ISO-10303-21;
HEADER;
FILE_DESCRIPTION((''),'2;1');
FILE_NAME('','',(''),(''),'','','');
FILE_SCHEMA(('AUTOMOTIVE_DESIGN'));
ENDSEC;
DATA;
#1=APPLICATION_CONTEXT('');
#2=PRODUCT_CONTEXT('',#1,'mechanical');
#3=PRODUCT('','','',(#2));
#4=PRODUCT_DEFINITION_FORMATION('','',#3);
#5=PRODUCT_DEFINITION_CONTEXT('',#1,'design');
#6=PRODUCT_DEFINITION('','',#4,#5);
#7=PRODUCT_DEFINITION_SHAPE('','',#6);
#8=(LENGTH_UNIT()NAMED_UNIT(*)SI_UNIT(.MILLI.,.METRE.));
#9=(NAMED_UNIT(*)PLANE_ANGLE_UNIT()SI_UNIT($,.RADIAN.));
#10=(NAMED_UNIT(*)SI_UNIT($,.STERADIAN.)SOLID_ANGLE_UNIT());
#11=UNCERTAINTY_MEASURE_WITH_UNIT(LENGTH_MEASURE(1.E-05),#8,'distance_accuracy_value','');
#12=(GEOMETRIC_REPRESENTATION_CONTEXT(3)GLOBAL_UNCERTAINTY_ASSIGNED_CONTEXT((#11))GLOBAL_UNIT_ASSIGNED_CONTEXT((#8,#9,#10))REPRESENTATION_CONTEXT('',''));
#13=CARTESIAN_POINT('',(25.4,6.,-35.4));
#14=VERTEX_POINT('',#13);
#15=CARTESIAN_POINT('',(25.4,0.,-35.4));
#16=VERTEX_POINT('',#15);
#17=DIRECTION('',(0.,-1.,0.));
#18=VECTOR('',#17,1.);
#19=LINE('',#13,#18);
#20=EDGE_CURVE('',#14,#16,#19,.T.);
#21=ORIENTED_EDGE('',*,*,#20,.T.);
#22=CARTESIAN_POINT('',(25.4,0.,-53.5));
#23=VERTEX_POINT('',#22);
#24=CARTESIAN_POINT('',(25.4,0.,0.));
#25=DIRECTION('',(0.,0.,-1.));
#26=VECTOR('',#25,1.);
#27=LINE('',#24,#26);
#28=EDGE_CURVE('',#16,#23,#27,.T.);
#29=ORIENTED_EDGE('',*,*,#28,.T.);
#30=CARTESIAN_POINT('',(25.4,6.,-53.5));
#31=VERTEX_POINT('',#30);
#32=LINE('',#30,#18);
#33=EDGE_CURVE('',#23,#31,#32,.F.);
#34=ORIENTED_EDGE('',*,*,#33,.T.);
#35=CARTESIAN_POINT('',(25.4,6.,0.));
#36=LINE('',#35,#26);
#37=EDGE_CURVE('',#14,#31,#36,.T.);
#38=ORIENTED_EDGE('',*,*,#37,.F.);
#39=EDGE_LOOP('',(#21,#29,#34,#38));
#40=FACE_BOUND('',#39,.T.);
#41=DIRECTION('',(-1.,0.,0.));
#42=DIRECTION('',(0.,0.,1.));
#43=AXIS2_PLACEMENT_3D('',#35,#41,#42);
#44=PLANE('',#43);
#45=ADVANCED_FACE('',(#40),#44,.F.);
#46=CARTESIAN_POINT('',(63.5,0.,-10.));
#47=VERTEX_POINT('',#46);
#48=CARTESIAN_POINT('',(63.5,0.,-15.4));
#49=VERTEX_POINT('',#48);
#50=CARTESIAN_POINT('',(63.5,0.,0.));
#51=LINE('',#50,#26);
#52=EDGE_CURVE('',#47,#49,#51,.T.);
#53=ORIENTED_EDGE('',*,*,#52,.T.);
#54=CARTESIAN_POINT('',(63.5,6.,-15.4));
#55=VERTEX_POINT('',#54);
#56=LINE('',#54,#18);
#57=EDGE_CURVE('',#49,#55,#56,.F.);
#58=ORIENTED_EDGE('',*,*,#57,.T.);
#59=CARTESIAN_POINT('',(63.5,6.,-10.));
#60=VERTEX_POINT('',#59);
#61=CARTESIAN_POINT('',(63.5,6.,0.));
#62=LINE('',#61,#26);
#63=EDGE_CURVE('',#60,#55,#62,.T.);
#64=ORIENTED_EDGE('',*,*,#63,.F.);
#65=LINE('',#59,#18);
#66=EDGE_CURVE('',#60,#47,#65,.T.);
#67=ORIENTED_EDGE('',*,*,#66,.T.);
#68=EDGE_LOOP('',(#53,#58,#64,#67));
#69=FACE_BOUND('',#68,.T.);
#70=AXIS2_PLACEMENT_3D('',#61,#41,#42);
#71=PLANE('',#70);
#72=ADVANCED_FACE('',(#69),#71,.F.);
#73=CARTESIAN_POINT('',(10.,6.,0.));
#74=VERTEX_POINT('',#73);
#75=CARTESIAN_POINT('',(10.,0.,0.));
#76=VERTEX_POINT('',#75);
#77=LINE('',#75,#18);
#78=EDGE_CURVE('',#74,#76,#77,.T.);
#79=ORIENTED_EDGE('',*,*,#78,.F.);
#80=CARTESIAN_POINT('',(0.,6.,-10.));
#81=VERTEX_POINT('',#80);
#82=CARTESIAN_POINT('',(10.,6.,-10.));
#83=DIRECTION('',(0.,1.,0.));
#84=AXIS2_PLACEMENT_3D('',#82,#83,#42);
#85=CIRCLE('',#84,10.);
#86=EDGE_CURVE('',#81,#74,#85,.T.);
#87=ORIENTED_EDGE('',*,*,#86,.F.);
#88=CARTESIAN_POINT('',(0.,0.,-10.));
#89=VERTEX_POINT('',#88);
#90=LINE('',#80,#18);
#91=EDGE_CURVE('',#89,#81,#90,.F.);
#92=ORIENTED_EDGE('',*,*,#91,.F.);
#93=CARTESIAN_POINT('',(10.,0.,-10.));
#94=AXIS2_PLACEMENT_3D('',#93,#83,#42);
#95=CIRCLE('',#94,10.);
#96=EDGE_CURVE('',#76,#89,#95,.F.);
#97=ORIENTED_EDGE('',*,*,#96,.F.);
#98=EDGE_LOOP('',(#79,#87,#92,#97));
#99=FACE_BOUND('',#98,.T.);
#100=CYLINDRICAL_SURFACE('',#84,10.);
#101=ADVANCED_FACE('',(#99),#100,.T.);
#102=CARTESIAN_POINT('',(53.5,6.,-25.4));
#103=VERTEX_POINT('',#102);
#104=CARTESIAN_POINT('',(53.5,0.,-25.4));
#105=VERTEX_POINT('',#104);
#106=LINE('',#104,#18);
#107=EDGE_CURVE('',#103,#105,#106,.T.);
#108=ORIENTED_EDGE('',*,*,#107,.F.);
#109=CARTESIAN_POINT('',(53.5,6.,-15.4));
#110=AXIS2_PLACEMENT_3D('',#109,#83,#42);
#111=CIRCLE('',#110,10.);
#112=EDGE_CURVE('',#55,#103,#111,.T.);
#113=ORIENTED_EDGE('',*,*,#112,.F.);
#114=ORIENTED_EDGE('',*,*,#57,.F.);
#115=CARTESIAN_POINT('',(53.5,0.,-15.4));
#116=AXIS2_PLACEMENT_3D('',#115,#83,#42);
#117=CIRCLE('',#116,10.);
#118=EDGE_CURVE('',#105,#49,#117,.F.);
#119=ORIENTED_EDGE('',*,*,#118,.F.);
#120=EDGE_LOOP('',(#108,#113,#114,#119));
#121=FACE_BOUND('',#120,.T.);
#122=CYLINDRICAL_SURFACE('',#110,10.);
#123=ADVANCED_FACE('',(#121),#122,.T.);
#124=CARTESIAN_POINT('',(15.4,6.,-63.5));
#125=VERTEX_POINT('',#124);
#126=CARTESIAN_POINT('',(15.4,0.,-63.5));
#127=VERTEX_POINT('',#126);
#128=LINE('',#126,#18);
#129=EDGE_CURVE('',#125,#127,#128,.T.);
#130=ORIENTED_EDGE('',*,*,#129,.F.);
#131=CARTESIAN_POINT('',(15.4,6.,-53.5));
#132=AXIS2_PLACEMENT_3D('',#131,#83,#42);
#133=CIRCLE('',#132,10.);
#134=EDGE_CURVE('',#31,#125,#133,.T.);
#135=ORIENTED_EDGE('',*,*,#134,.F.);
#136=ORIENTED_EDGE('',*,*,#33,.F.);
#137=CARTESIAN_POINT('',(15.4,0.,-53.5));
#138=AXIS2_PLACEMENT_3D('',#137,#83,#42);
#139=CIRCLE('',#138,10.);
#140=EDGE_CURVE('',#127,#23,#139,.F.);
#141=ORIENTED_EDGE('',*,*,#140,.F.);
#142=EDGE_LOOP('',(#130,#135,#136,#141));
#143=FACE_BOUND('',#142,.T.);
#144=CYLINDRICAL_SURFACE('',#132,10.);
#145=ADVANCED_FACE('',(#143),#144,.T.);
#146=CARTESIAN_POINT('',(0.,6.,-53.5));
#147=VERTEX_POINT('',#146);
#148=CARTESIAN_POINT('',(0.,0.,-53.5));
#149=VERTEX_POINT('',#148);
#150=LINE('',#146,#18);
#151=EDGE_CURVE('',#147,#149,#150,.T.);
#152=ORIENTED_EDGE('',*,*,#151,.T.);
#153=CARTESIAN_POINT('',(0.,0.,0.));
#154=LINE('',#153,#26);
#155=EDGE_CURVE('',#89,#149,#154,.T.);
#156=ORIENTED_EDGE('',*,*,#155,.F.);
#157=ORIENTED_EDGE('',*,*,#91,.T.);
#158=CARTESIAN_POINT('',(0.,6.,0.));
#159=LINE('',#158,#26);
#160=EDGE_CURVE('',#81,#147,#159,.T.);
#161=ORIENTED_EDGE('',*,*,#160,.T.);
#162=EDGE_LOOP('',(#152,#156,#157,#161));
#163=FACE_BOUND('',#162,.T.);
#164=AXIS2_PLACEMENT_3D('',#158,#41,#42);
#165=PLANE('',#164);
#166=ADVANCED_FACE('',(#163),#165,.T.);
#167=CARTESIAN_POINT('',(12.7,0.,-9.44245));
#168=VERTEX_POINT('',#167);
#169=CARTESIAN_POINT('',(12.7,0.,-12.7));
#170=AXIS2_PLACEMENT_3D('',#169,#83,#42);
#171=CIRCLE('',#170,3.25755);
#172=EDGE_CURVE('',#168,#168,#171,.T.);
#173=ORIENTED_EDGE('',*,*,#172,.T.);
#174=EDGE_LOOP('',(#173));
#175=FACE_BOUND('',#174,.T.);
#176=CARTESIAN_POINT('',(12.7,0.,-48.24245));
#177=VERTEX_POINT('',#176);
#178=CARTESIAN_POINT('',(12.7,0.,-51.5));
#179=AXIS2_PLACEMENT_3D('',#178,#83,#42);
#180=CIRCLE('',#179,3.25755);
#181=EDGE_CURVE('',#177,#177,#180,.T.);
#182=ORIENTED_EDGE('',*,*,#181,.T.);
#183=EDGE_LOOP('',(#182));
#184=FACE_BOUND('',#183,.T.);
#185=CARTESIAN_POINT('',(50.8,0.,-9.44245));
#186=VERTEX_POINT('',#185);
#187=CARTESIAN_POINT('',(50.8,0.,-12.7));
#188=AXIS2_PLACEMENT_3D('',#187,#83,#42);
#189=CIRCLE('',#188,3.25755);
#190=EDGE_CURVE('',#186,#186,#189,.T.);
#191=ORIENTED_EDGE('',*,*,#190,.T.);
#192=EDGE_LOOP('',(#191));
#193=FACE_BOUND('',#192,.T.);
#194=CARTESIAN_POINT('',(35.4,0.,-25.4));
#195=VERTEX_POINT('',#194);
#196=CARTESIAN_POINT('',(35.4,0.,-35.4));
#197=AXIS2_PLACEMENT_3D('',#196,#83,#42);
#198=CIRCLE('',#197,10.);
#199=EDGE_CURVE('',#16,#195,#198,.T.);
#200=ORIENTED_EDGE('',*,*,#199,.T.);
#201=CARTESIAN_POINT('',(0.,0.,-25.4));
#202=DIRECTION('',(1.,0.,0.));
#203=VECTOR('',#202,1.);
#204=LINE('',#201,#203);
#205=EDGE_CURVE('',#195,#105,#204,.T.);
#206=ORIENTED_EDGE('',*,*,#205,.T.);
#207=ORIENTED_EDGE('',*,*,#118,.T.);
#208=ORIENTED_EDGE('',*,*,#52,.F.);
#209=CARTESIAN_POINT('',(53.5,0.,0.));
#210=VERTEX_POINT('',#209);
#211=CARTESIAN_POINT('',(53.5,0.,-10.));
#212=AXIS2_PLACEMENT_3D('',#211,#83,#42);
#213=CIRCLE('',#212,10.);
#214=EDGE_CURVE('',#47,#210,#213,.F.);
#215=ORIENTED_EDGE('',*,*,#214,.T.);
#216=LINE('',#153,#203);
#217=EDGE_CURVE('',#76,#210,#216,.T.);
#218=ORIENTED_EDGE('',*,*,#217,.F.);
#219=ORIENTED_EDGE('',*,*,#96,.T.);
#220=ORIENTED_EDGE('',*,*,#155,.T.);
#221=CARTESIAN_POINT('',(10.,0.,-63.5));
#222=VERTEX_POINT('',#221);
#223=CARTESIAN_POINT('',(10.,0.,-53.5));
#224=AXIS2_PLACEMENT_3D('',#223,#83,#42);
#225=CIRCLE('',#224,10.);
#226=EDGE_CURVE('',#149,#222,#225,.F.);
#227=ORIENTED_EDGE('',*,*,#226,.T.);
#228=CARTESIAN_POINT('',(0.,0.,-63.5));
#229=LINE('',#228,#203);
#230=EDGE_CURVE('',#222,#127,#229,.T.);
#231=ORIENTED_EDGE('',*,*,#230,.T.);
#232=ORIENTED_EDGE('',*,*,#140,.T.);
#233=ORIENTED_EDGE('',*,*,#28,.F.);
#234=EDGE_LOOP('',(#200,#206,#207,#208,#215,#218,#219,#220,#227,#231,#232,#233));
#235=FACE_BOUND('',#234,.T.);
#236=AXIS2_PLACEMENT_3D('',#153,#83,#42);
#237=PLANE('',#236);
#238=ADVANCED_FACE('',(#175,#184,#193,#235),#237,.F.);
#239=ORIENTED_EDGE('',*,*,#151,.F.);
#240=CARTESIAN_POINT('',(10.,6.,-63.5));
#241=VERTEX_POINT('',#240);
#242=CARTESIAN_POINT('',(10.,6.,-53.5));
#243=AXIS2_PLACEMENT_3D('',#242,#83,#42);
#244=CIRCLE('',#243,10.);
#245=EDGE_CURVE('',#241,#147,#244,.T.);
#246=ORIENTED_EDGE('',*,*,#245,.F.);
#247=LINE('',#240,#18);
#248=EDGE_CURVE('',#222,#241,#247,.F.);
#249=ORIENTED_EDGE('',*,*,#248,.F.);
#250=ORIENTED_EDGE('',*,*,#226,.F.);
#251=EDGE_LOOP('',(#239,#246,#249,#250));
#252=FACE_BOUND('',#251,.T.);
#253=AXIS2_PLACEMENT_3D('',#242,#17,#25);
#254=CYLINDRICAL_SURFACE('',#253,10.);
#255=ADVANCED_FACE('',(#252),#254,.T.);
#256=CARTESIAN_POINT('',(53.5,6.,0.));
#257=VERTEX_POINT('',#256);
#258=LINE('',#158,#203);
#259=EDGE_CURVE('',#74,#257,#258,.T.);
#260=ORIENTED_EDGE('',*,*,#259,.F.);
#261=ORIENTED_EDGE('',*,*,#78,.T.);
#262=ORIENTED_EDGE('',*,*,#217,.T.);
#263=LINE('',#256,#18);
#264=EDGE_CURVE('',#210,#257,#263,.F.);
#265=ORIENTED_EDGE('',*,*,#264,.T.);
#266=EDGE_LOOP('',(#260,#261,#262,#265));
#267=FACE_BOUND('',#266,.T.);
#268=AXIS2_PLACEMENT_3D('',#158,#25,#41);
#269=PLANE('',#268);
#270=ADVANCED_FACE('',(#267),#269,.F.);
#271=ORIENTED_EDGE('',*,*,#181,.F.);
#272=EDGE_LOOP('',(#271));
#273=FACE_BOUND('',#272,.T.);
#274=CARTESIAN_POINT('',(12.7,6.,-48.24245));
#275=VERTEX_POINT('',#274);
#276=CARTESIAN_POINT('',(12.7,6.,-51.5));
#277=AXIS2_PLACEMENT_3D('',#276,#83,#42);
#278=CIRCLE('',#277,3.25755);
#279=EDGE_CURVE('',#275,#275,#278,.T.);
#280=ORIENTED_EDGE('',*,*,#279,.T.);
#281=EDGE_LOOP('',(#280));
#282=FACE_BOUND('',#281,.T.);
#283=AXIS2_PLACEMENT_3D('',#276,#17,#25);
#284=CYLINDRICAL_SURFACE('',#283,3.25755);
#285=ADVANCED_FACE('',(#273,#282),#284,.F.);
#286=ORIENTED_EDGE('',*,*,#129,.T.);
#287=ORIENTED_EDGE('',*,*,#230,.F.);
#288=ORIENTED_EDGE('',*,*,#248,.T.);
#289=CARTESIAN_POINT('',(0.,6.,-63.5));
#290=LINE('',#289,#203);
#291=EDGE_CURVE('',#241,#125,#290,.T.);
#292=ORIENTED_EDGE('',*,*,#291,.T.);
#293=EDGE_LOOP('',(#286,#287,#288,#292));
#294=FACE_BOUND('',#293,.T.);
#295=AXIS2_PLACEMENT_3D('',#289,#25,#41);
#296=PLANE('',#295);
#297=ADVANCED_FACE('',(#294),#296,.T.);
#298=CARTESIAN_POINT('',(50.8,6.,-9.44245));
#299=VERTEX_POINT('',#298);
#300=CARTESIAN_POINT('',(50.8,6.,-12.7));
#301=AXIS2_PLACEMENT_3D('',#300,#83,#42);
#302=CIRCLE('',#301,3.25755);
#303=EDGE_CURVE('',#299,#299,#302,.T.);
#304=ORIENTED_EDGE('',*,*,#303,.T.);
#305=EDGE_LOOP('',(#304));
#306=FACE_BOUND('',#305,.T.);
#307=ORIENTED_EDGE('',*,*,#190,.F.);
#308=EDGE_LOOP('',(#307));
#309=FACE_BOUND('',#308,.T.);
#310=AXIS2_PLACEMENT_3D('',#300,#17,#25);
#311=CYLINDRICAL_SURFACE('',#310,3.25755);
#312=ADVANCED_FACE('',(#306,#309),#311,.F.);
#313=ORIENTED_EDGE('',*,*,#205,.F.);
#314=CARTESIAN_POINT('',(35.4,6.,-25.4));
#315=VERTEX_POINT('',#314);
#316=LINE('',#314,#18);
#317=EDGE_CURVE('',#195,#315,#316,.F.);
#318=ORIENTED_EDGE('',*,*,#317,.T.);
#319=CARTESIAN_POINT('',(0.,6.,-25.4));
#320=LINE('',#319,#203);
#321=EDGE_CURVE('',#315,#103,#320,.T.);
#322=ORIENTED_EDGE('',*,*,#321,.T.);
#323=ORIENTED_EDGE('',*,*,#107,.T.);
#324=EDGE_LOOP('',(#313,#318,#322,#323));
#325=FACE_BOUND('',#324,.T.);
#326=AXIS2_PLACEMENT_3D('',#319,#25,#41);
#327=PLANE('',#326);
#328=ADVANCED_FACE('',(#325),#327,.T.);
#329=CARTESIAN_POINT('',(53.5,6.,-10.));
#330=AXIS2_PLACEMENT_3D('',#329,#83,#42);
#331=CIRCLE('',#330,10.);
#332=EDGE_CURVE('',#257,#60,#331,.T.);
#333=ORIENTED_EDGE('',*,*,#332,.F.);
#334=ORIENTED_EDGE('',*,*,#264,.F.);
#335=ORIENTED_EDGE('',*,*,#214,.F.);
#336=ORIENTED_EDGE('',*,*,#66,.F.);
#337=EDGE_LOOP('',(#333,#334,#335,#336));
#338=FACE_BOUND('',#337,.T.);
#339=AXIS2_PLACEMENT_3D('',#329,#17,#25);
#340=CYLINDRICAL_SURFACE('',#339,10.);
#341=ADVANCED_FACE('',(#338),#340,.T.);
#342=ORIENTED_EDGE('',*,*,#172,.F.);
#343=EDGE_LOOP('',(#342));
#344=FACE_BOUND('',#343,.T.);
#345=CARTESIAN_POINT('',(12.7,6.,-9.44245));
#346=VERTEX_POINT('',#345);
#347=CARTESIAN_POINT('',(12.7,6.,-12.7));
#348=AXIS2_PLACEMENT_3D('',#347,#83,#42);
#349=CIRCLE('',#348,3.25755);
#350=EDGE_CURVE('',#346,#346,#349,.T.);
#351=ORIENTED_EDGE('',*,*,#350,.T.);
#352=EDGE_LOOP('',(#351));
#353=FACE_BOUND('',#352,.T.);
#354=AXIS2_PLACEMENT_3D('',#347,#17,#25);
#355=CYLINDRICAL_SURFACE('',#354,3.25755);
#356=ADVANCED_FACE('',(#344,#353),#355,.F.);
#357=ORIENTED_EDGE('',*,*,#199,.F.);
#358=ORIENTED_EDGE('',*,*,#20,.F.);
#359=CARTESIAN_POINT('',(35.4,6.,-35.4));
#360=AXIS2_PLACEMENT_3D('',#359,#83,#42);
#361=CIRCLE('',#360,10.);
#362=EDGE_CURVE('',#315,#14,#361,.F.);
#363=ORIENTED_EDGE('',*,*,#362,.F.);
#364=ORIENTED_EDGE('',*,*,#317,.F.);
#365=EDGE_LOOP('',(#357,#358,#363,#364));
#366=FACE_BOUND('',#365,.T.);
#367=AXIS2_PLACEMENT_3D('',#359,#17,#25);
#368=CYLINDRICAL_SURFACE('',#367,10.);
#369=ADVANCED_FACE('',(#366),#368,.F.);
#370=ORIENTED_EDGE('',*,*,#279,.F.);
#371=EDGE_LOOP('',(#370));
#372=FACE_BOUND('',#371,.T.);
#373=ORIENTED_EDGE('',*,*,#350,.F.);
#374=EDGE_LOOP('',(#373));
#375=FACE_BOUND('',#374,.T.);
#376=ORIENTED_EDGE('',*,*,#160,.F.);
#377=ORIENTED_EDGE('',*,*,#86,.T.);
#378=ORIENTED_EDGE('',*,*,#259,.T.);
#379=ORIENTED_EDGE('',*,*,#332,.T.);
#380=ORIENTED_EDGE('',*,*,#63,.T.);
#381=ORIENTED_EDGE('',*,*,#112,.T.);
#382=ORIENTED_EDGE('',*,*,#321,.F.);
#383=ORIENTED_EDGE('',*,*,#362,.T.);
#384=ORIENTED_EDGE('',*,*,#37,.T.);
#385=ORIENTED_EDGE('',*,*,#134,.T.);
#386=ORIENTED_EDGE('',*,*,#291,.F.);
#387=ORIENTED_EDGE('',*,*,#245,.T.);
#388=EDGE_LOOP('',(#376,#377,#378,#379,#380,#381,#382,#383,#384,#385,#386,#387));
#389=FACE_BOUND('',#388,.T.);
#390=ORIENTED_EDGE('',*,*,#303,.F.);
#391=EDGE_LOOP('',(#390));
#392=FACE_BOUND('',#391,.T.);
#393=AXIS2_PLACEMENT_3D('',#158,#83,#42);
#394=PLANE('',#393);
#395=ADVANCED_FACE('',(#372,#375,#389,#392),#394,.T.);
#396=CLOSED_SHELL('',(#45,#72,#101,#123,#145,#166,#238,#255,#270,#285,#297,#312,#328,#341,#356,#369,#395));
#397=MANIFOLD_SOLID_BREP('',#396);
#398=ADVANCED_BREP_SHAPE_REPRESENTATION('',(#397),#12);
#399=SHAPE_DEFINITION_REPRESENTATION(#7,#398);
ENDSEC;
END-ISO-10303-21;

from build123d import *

# Parameters (mm, degrees)
SKETCH1_W           = 25.4
SKETCH1_H           = 63.5
SKETCH1_R           = 3.25755
SKETCH1_W_2         = 38.1
SKETCH1_H_2         = 25.4
BOSS_EXTRUDE1_DEPTH = 6
FILLET1_R           = 10


with BuildPart() as part:
    # Sketch1 → Boss-Extrude1 (new body)
    with BuildSketch(Plane(origin=(0, 0, 0), x_dir=(1, 0, 0), z_dir=(0, 1, 0))):
        with Locations((12.7, 31.75)):
            Rectangle(SKETCH1_W, SKETCH1_H)
        with Locations((12.7, 12.7)):
            Circle(SKETCH1_R, mode=Mode.SUBTRACT)
        with Locations((12.7, 51.5)):
            Circle(SKETCH1_R, mode=Mode.SUBTRACT)
        with Locations((44.45, 12.7)):
            Rectangle(SKETCH1_W_2, SKETCH1_H_2)
        with Locations((50.8, 12.7)):
            Circle(SKETCH1_R, mode=Mode.SUBTRACT)
    extrude(amount=BOSS_EXTRUDE1_DEPTH)

    # Fillet1
    fillet1_edges = [part.edges().sort_by_distance(p)[0] for p in [
        (0, 3, 0),
        (0, 3, -63.5),
        (25.4, 3, -63.5),
        (25.4, 3, -25.4),
        (63.5, 3, -25.4),
        (63.5, 3, 0),
    ]]
    fillet(fillet1_edges, radius=FILLET1_R)


solid = part.part
